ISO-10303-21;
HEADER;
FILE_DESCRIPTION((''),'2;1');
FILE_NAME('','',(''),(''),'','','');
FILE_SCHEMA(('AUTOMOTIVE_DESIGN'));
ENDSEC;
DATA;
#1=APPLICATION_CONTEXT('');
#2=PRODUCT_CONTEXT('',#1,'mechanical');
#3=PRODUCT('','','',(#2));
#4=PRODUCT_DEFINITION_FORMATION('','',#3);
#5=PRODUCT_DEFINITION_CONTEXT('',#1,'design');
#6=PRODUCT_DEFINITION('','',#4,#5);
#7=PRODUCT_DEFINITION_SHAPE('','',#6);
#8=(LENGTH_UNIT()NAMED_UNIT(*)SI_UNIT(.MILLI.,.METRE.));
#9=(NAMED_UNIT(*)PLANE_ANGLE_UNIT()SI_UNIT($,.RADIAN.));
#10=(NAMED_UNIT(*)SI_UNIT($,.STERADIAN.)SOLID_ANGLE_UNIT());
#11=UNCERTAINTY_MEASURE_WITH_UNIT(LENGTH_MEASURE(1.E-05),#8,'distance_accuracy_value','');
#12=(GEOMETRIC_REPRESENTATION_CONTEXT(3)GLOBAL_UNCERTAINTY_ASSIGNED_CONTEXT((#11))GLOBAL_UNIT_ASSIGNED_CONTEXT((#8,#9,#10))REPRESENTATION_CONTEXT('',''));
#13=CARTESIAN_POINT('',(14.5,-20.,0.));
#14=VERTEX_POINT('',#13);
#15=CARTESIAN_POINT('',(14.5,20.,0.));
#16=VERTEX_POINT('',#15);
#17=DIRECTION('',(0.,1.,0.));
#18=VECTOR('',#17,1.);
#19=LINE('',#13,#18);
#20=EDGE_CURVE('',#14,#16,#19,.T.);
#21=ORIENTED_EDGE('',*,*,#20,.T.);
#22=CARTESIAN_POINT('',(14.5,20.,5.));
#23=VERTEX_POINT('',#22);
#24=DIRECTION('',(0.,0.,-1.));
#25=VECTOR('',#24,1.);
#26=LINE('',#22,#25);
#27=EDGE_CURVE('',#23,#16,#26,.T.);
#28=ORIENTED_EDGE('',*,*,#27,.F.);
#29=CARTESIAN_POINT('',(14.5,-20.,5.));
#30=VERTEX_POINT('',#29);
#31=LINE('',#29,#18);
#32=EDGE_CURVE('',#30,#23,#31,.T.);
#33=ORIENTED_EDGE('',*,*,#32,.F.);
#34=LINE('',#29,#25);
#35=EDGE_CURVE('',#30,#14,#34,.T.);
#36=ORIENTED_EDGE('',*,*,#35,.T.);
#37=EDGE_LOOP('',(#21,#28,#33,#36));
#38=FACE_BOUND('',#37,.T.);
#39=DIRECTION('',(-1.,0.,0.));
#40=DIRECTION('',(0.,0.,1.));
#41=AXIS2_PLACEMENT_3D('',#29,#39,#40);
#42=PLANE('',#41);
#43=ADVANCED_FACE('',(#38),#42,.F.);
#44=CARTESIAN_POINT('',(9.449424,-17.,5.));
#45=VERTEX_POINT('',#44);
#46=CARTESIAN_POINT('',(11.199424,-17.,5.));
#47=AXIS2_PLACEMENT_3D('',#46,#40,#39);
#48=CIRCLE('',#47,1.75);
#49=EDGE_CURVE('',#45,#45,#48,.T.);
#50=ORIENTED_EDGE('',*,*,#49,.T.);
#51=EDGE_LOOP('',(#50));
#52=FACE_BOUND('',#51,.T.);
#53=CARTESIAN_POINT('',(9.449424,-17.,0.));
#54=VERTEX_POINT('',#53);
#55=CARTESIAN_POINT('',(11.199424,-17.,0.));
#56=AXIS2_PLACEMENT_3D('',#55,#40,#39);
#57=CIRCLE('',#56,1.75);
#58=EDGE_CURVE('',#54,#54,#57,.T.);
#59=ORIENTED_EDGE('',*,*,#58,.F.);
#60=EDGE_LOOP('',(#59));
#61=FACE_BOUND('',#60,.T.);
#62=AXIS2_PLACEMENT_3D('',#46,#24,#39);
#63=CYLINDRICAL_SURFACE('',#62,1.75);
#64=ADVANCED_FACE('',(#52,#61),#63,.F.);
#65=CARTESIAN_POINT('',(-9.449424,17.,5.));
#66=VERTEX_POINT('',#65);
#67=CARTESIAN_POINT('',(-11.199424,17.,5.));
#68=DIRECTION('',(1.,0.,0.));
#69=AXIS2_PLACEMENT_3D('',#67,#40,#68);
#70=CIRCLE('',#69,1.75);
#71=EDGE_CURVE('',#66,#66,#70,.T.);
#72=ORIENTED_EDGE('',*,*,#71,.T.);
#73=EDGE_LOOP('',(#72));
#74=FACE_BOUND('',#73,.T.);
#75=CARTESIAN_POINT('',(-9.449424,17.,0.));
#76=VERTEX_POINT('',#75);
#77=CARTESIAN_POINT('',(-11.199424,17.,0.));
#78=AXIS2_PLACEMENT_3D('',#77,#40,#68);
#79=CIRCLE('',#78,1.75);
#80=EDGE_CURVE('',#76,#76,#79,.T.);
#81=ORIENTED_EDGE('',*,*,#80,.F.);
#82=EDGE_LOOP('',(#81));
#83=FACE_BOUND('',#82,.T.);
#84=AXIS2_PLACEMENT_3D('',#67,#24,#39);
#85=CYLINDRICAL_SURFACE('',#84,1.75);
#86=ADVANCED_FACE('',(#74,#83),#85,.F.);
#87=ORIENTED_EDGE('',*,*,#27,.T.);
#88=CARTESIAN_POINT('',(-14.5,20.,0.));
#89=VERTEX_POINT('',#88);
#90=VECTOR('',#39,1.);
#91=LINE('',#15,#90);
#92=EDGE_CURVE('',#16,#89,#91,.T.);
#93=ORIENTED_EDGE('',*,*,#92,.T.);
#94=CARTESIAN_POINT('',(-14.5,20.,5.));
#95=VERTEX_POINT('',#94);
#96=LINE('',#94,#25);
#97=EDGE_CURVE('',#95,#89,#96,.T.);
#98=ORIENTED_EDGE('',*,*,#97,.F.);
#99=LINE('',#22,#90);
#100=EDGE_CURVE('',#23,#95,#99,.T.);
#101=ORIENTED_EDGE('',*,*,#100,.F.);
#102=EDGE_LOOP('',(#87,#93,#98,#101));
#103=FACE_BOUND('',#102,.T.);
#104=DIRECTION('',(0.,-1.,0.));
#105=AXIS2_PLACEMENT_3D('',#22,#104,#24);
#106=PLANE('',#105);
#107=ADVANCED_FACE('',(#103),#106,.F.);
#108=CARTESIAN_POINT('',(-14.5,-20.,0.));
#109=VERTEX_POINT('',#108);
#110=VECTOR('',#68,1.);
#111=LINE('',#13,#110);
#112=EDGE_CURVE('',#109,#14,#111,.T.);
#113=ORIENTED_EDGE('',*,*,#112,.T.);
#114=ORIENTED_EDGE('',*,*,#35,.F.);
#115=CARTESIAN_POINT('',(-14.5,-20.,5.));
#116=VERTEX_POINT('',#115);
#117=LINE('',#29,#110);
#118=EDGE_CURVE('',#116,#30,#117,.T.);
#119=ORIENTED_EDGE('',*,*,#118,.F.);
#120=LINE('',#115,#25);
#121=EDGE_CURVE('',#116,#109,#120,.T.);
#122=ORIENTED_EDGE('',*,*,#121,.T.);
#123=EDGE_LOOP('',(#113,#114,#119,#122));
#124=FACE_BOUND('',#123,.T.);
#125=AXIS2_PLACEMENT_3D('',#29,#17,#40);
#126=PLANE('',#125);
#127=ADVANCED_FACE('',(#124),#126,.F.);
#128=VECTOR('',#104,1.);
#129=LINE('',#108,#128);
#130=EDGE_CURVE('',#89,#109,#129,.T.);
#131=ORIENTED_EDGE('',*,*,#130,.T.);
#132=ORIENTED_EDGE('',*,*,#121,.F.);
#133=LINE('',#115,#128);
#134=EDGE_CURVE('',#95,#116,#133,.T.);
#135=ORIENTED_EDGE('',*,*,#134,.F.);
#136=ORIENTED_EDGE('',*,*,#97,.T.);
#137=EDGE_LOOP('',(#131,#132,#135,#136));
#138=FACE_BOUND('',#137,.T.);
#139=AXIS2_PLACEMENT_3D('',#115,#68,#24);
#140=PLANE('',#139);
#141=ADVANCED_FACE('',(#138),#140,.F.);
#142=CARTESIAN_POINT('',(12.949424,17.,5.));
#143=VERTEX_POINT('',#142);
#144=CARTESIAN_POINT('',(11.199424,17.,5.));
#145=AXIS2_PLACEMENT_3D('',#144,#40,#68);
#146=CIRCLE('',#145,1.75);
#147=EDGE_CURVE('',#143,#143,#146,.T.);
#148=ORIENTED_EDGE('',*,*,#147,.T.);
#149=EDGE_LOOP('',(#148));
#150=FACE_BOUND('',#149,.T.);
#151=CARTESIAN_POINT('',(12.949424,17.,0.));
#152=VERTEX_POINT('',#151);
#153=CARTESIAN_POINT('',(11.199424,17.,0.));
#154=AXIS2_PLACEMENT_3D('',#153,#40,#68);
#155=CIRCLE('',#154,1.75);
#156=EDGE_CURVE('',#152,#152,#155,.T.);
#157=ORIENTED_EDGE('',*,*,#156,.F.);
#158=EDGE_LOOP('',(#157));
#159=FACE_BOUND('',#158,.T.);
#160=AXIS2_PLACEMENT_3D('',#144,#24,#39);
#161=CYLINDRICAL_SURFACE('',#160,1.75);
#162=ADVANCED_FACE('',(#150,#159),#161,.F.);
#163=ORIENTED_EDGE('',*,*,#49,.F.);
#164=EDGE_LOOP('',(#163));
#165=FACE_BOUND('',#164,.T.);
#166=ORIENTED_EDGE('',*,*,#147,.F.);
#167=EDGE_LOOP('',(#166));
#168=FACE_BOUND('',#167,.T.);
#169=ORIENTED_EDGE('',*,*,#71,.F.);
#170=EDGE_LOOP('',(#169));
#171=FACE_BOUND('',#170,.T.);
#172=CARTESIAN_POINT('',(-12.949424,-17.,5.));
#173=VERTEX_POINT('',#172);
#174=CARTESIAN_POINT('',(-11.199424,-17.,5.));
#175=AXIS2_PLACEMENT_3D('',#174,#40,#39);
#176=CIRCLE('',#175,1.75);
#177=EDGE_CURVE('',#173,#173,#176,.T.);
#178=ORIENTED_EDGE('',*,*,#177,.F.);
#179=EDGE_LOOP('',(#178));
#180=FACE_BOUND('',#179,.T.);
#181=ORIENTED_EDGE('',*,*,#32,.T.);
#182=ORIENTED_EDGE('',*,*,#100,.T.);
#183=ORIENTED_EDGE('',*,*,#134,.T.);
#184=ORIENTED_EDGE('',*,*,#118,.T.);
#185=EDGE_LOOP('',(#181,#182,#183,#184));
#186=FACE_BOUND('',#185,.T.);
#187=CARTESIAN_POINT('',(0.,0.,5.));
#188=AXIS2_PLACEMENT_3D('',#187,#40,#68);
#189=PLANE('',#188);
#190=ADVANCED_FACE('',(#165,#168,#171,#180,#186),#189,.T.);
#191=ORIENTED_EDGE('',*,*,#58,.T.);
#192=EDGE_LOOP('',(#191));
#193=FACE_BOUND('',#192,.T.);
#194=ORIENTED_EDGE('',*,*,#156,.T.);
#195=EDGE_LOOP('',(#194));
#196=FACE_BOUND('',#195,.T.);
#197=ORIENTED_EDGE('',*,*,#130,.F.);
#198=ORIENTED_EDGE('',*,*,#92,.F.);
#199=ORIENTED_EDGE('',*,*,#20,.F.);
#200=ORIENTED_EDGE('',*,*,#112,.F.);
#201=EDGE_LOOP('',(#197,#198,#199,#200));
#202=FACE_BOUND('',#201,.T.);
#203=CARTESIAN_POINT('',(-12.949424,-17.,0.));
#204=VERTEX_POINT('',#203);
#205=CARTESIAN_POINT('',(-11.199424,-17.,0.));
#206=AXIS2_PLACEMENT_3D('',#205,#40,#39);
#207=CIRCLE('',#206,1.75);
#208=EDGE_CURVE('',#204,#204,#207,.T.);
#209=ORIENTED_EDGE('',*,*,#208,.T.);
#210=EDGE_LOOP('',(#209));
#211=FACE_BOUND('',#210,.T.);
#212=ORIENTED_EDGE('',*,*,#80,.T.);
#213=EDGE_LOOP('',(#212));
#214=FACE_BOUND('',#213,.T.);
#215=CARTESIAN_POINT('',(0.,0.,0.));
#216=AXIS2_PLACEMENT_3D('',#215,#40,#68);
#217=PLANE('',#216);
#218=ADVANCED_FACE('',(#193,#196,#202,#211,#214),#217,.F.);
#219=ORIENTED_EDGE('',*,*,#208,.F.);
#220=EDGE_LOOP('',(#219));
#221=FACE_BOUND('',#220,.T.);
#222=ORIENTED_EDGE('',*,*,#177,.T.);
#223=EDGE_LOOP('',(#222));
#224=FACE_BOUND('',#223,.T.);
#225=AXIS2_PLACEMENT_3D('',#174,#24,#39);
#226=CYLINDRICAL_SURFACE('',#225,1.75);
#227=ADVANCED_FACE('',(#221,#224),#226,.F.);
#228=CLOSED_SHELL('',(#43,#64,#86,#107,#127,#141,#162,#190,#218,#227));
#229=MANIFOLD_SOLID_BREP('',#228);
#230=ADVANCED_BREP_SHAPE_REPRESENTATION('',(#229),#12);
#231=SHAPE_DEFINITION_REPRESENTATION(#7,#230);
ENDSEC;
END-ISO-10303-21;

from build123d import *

# Parameters (mm, degrees)
SKETCH_1_W      = 29
SKETCH_1_H      = 40
SKETCH_1_R      = 1.75
EXTRUDE_1_DEPTH = 5


with BuildPart() as part:
    # 스케치1 → 보스-돌출1 (new body)
    with BuildSketch(Plane.XY):
        Rectangle(SKETCH_1_W, SKETCH_1_H)
        with Locations((11.199423754, 17)):
            Circle(SKETCH_1_R, mode=Mode.SUBTRACT)
        with Locations((-11.199423754, 17)):
            Circle(SKETCH_1_R, mode=Mode.SUBTRACT)
        with Locations(Location((11.199423754, -17, 0), (0, 0, 180))):
            Circle(SKETCH_1_R, mode=Mode.SUBTRACT)
        with Locations(Location((-11.199423754, -17, 0), (0, 0, 180))):
            Circle(SKETCH_1_R, mode=Mode.SUBTRACT)
    extrude(amount=EXTRUDE_1_DEPTH)


solid = part.part
